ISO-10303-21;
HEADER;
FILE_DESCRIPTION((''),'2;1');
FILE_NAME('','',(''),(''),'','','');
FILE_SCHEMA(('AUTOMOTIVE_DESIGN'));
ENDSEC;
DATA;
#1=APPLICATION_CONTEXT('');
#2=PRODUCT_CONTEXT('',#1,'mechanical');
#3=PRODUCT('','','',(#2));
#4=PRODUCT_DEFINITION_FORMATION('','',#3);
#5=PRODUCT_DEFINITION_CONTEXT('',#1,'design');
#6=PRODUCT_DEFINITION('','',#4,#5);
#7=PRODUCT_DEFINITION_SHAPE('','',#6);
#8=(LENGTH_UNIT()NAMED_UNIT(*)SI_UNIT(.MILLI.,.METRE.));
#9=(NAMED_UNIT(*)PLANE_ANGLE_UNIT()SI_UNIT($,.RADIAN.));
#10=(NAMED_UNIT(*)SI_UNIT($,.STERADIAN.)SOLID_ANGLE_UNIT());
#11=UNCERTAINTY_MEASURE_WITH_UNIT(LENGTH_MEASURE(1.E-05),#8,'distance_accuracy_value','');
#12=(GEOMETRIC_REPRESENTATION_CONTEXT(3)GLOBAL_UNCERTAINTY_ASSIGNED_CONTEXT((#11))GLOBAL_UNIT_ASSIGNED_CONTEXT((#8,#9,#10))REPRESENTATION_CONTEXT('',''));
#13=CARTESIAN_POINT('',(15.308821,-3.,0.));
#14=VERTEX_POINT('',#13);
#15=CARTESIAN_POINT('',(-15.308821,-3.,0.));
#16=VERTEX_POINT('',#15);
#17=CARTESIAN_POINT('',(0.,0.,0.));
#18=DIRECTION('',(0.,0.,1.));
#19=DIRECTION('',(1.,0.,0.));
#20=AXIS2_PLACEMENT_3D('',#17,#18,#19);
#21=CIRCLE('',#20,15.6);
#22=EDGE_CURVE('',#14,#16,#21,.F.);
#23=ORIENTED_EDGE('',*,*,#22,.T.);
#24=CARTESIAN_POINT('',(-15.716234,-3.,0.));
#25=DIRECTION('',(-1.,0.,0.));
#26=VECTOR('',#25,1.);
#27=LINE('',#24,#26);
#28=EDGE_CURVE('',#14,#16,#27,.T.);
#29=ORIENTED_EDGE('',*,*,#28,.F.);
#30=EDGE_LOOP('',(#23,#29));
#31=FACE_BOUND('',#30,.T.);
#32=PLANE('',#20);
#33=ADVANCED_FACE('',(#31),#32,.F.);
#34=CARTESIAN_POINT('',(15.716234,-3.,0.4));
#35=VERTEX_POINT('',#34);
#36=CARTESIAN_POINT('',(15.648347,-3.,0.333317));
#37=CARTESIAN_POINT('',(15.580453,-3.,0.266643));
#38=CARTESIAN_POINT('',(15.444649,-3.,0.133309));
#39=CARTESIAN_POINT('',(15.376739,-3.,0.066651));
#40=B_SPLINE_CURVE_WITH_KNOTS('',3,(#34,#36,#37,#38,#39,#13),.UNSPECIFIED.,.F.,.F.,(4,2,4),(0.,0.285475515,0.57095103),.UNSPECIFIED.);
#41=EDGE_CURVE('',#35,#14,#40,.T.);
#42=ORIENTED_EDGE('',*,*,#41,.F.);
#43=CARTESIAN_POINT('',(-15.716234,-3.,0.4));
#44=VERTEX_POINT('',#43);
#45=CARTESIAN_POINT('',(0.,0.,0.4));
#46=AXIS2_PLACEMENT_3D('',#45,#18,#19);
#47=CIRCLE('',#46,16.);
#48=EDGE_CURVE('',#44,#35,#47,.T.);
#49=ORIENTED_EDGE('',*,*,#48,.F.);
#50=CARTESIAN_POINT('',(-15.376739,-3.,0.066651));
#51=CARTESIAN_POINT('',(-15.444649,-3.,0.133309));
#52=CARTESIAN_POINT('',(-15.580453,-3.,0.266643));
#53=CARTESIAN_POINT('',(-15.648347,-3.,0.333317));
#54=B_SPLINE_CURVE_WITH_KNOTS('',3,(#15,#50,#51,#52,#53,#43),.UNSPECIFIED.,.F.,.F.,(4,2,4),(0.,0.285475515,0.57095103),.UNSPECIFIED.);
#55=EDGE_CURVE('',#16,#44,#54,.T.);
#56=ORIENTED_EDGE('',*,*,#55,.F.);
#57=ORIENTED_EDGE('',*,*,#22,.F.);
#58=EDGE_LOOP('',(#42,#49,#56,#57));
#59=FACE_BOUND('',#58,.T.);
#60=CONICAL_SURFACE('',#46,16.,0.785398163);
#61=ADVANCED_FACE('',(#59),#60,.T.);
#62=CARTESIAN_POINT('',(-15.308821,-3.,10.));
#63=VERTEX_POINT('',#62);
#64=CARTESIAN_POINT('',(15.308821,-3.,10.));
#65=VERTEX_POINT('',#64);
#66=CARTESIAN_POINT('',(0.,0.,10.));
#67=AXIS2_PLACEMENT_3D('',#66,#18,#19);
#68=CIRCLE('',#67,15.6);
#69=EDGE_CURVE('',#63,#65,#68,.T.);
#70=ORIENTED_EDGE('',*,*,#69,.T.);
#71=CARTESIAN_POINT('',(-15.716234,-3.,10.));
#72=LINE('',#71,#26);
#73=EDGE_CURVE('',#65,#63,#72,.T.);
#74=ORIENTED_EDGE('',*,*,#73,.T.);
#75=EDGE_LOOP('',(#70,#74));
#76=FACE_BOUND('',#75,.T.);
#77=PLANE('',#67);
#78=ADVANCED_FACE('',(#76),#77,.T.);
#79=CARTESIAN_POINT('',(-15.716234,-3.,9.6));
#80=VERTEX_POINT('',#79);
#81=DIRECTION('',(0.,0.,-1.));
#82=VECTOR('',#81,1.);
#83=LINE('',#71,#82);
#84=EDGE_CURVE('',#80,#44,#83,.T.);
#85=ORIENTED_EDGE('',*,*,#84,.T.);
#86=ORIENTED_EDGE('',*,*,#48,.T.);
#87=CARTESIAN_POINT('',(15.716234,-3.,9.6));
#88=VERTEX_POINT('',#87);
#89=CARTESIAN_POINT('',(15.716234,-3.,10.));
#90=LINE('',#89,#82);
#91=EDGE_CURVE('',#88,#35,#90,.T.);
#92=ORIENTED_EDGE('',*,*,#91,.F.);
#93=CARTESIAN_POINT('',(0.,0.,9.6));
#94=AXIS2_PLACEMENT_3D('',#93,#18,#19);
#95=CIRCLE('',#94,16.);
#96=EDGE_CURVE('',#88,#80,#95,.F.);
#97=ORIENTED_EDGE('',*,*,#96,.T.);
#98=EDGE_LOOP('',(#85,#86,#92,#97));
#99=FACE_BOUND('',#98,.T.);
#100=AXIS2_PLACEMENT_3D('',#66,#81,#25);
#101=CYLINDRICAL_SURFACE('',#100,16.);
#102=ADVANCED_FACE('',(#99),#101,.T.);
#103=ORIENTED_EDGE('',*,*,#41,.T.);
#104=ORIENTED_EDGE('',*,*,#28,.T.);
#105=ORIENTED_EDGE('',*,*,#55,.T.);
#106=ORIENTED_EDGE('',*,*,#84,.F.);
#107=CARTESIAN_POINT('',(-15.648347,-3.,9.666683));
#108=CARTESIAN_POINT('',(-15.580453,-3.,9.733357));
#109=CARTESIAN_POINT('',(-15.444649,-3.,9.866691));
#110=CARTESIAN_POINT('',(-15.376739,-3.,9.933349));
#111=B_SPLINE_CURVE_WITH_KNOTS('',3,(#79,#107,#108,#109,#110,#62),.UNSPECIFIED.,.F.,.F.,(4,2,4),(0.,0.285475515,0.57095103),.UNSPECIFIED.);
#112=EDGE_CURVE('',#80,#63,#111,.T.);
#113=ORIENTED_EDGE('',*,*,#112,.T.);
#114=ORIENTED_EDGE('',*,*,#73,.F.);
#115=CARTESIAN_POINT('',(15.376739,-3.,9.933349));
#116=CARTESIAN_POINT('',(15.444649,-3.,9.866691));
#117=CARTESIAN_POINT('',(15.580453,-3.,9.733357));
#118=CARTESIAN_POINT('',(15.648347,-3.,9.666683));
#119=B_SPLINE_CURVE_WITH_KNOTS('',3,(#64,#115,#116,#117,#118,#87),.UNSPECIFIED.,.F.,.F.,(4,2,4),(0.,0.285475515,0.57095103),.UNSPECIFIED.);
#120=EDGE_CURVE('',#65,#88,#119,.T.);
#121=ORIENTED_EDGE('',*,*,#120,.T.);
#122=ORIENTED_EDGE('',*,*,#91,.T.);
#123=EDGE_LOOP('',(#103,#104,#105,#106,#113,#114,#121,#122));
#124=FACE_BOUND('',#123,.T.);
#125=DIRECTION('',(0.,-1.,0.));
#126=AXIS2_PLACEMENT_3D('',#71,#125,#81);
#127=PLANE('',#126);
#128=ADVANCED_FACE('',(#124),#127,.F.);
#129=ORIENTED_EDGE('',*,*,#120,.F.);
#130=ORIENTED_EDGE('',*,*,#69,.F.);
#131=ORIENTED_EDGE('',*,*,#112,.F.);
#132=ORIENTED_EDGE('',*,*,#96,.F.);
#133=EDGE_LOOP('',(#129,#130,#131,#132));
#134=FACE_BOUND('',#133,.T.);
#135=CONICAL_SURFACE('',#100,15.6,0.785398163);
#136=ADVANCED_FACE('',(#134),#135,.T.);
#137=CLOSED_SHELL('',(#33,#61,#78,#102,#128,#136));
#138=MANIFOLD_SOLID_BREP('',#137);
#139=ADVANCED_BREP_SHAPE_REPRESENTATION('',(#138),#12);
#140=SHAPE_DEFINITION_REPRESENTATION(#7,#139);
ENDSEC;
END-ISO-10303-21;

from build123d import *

# Parameters (mm, degrees)
EXTRUDE_387_DEPTH = 10
CHAMFER_1_SIZE    = 0.4


with BuildPart() as part:
    # 草图1 → Extrude 387 (new body)
    with BuildSketch(Plane.XY):
        with BuildLine():
            Line((-15.716233646, -3), (15.716233646, -3))
            ThreePointArc((15.716233646, -3), (0, -16), (-15.716233646, -3))
        make_face()
    extrude(amount=EXTRUDE_387_DEPTH)

    # 倒角1
    chamfer_1_edges = [part.edges().sort_by_distance(p)[0] for p in [
        (0, -16, 0),
        (0, -16, 10),
    ]]
    chamfer(chamfer_1_edges, length=CHAMFER_1_SIZE)


solid = part.part
